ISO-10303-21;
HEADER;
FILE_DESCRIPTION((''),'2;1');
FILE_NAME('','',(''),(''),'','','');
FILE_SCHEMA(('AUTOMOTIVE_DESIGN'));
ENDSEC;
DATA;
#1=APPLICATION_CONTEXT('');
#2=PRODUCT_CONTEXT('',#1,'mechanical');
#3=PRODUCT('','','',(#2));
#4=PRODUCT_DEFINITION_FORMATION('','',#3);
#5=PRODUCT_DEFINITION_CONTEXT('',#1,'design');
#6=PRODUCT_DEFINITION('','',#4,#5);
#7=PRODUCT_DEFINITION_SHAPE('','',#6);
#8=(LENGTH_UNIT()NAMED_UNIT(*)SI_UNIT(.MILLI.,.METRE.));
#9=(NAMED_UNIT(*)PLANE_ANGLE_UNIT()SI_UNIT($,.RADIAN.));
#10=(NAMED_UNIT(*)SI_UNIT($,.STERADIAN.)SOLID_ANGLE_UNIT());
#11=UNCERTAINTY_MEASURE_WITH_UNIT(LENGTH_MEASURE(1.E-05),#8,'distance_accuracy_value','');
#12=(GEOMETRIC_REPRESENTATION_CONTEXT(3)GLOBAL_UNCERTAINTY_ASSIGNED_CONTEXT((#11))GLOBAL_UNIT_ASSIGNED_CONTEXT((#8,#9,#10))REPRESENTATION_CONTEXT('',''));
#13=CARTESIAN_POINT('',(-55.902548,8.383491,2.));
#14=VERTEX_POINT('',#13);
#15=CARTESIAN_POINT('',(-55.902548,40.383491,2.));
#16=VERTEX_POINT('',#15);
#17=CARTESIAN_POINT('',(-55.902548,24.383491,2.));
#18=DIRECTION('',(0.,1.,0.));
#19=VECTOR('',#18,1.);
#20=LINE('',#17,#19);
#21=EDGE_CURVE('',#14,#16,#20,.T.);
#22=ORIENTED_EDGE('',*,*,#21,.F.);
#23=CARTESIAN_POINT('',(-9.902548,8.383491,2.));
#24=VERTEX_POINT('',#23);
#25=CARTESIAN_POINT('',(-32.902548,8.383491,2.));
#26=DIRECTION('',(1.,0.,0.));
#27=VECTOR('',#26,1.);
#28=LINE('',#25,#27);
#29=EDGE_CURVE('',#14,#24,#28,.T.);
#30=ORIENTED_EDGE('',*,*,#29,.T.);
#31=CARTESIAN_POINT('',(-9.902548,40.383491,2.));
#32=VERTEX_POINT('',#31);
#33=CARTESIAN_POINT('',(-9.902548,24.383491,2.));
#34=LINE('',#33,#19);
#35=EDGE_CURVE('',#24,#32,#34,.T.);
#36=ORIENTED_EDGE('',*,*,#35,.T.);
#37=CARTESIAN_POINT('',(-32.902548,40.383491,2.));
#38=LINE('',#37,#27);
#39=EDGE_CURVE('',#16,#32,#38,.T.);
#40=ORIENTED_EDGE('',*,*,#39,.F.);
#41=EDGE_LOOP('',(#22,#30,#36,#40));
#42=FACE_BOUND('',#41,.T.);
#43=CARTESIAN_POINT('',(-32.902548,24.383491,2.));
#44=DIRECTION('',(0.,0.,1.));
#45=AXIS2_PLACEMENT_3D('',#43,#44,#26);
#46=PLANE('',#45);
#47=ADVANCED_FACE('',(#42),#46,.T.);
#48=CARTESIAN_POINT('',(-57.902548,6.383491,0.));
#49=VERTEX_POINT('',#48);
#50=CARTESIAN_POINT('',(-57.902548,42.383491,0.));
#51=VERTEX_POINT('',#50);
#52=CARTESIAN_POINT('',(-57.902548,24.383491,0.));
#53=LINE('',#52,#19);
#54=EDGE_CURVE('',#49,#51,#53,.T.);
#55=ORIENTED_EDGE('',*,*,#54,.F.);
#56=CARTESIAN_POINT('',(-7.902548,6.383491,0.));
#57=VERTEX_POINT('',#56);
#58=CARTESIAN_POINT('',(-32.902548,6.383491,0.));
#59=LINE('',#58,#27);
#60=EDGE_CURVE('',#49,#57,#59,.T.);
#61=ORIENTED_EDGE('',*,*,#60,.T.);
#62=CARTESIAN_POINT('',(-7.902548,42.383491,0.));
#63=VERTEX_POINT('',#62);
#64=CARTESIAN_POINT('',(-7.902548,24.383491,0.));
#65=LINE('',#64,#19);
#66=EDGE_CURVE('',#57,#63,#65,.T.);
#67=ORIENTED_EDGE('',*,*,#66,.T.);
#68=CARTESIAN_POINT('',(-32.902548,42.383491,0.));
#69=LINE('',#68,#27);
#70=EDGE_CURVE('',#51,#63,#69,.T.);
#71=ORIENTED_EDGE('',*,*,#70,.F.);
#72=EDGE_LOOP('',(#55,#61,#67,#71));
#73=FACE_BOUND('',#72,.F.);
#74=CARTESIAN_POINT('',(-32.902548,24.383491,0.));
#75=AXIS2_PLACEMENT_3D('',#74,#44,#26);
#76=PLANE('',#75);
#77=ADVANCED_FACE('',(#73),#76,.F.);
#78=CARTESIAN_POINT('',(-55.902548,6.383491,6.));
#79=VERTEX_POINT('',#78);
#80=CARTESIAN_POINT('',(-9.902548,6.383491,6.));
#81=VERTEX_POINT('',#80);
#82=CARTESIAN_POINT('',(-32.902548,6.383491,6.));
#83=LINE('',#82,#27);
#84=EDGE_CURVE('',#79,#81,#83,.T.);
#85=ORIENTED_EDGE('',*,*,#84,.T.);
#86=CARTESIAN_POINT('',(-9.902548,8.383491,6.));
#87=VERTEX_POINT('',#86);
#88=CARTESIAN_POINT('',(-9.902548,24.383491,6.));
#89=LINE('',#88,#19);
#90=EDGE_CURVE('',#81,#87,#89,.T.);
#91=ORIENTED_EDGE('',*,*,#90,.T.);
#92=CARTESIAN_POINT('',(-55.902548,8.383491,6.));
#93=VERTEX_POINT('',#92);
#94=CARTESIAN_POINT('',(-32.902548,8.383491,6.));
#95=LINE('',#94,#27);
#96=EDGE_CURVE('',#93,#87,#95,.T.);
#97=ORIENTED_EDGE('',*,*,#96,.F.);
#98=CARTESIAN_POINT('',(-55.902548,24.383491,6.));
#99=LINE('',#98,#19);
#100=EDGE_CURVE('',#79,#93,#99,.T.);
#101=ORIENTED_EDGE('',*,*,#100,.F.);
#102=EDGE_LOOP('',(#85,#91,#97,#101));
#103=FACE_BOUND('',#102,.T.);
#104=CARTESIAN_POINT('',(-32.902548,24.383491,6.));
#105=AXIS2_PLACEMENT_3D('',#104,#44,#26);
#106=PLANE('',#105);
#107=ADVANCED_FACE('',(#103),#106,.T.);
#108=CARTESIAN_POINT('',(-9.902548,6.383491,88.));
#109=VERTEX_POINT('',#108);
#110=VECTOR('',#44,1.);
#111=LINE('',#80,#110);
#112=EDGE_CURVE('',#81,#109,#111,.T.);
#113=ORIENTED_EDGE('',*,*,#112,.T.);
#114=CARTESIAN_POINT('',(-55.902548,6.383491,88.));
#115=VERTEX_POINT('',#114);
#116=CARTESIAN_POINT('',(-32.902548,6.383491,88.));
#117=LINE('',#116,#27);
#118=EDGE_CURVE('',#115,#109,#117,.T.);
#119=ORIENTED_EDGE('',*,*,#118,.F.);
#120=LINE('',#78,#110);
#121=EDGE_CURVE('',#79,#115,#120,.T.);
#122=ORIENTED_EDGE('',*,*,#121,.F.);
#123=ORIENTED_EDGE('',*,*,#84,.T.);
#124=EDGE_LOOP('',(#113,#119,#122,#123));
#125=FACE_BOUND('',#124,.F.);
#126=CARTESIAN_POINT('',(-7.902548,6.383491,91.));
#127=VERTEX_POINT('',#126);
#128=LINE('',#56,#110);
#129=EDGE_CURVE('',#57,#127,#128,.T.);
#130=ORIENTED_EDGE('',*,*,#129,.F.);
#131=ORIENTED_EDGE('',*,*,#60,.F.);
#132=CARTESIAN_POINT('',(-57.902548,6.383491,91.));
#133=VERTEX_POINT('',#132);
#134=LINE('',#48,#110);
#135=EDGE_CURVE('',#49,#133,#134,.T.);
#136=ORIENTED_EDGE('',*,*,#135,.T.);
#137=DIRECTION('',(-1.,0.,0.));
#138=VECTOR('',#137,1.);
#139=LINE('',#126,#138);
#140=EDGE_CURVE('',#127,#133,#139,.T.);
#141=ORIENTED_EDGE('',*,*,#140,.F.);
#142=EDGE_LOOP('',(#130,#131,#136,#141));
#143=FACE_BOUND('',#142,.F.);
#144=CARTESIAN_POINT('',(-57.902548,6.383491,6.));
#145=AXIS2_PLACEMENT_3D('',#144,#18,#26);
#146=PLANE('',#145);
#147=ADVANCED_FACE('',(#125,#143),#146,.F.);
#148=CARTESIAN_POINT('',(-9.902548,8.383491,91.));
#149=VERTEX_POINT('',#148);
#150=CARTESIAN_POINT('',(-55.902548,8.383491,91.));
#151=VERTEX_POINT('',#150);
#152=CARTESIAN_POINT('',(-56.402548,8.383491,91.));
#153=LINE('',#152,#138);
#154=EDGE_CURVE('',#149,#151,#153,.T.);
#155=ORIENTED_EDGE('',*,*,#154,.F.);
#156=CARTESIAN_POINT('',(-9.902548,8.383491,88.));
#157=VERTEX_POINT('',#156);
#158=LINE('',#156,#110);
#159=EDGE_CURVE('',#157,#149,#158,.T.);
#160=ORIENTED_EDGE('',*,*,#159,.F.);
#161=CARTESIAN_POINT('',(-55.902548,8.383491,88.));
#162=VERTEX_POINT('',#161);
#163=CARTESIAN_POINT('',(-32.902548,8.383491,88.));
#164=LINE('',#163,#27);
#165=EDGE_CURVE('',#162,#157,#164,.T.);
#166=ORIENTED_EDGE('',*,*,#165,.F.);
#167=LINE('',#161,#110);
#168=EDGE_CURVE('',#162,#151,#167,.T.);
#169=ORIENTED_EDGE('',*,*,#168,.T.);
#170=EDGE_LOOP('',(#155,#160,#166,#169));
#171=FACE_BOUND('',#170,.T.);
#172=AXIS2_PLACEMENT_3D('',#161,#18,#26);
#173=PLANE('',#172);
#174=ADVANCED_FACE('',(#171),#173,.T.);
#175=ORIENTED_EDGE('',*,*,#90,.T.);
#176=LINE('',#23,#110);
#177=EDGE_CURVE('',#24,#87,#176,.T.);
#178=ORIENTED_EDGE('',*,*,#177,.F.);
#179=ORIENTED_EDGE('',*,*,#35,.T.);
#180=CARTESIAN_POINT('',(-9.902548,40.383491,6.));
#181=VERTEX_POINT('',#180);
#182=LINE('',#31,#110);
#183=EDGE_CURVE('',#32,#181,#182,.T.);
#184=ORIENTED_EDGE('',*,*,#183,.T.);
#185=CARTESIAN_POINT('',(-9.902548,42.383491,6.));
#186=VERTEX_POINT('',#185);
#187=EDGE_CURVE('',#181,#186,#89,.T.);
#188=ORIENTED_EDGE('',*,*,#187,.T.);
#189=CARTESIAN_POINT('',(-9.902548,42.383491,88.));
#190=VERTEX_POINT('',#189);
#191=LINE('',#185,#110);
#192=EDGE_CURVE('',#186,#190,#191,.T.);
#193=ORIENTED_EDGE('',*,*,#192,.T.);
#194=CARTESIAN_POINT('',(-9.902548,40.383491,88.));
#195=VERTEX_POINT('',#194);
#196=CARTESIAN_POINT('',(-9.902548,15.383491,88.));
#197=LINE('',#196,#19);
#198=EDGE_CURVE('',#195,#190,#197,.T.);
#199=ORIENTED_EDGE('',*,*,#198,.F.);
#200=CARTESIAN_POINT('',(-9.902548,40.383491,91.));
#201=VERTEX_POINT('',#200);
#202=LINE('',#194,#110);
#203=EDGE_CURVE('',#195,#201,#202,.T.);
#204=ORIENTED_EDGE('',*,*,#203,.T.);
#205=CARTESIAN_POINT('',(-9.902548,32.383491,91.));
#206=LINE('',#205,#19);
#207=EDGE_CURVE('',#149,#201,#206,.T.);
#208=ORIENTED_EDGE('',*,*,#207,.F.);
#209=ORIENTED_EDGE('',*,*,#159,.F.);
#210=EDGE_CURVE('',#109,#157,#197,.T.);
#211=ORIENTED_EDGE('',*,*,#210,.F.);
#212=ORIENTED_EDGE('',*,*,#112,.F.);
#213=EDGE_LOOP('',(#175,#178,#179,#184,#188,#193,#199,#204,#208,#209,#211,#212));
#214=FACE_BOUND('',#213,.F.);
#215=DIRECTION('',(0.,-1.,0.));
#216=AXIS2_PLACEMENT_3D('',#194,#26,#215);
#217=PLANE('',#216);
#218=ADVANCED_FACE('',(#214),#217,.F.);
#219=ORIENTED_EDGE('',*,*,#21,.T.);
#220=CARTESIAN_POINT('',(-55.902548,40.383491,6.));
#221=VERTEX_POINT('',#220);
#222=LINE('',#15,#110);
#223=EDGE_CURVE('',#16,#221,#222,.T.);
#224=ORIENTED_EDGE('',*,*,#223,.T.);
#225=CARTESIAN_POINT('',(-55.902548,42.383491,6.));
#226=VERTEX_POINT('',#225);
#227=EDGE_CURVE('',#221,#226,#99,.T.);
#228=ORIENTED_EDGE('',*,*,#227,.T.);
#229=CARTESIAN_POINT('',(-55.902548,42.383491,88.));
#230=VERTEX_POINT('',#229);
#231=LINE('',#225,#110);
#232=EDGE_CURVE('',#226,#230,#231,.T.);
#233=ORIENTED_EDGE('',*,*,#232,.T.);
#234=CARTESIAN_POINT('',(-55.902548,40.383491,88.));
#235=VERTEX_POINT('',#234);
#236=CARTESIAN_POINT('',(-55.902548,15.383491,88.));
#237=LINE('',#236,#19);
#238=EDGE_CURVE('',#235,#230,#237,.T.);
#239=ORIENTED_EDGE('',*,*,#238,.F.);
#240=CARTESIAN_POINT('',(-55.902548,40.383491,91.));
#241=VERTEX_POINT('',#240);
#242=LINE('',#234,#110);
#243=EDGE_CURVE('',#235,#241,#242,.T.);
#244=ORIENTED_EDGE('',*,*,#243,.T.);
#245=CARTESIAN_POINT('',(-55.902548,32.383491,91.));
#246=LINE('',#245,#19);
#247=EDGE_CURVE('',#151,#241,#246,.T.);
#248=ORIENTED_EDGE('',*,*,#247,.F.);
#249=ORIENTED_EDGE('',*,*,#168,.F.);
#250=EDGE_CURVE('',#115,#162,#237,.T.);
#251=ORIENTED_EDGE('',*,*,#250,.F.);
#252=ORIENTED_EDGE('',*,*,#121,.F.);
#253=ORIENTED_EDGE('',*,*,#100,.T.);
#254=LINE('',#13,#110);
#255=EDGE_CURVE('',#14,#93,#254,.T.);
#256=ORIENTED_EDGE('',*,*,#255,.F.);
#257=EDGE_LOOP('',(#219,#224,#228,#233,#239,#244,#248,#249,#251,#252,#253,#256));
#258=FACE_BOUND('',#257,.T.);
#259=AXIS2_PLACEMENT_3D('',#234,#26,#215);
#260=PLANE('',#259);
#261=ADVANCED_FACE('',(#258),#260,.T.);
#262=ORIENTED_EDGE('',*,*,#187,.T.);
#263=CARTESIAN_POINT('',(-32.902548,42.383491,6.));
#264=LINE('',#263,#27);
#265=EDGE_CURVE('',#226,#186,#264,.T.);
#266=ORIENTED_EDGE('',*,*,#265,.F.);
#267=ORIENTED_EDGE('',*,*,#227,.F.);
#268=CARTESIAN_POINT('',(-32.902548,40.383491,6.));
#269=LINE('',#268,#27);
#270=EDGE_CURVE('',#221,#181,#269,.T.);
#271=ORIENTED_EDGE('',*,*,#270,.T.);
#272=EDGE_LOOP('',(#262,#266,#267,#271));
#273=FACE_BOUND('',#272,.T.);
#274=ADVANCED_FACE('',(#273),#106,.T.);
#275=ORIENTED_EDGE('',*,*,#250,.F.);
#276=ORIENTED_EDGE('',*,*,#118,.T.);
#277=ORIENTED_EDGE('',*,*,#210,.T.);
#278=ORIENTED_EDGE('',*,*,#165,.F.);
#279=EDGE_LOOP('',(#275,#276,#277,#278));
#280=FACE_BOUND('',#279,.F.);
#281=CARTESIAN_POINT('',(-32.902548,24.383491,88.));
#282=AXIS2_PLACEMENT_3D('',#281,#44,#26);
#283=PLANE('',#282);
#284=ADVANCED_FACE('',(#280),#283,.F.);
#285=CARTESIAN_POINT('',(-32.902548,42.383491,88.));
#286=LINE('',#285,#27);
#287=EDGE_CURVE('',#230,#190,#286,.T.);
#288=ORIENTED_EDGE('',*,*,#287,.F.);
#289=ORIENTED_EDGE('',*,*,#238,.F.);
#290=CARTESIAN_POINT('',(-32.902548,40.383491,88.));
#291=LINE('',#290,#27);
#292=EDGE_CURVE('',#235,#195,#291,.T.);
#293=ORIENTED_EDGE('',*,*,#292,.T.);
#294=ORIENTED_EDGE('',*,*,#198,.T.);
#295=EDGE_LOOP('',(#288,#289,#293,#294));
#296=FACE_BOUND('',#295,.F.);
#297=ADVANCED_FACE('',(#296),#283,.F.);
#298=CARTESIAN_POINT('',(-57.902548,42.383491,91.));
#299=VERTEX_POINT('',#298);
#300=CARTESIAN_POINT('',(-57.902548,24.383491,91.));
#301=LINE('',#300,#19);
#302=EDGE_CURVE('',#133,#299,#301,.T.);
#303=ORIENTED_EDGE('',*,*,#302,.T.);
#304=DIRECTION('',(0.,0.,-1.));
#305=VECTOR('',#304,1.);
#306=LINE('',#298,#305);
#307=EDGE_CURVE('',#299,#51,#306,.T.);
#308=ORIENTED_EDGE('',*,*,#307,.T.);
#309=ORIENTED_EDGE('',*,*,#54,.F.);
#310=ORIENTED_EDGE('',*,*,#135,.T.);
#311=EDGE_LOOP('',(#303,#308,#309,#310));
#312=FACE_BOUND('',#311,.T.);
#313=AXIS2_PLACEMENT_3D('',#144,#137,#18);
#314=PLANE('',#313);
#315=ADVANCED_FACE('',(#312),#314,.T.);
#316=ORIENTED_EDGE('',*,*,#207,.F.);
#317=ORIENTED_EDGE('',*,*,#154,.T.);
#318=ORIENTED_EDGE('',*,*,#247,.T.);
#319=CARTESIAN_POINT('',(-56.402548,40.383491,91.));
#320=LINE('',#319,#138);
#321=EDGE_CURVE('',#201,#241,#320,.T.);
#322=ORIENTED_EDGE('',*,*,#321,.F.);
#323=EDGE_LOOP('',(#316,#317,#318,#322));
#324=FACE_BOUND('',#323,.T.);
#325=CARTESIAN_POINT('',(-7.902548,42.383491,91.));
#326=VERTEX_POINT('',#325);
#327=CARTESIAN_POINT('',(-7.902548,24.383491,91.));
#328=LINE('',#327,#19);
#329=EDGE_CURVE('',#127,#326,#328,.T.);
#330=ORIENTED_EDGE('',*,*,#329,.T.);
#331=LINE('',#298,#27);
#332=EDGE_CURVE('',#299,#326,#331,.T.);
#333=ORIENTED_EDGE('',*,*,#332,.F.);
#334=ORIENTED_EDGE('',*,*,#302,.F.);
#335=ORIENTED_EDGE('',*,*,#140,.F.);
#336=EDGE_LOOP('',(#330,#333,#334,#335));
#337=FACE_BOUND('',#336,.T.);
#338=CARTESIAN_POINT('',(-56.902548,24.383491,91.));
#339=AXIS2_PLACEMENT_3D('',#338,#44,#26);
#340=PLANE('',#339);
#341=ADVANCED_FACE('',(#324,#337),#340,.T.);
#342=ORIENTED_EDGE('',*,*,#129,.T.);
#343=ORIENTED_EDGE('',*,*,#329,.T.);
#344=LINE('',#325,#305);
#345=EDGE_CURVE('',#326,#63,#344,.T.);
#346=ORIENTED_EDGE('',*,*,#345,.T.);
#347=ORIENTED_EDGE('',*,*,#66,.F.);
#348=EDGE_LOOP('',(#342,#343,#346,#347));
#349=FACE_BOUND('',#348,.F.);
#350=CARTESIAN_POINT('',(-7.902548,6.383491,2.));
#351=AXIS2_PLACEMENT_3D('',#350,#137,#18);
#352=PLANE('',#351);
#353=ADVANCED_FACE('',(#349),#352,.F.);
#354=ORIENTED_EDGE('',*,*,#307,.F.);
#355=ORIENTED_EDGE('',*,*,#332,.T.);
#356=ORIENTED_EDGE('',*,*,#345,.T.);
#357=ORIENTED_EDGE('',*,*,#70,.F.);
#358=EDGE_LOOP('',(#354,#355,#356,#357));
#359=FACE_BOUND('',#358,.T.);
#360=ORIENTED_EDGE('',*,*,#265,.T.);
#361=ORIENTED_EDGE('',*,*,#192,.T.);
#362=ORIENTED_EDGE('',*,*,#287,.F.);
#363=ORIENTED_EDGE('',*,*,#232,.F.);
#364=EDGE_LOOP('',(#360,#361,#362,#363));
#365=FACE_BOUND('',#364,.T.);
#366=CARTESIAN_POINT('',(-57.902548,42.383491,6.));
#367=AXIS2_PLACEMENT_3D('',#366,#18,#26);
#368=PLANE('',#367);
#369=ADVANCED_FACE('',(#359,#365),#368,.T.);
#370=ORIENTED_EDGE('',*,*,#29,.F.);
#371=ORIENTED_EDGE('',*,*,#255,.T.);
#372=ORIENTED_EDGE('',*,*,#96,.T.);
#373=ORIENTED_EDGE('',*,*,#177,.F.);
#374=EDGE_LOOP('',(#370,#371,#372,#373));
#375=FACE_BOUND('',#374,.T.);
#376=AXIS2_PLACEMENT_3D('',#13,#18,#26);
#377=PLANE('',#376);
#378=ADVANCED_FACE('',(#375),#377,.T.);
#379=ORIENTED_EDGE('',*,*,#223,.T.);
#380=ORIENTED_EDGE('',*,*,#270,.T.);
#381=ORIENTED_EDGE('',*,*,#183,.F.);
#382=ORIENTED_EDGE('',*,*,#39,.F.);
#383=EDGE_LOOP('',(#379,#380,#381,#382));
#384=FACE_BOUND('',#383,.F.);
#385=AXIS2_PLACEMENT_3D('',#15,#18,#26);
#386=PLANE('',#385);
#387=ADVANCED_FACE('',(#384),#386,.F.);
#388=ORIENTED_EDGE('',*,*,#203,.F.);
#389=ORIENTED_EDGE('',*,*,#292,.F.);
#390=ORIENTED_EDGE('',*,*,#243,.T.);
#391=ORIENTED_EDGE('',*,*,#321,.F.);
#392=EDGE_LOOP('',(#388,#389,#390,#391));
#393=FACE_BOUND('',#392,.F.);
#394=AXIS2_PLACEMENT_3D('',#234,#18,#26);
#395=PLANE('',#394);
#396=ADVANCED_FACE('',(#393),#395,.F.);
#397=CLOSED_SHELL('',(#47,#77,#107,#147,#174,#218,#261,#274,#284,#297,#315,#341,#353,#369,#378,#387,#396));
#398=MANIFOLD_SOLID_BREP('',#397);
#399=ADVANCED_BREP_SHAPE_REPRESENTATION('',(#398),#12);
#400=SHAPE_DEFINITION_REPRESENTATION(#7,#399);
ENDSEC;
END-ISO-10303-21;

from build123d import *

# Parameters (mm, degrees)
F0_W     = 50
F0_H     = 36
F1_DEPTH = 2
F2_W     = 50
F2_H     = 36
F2_W_2   = 46
F2_H_2   = 32
F3_DEPTH = 4
F4_W     = 2
F4_H     = 36
F5_DEPTH = 85
F6_W     = 50
F6_H     = 36
F7_DEPTH = 3
F8_W     = 46
F8_H     = 32
F9_DEPTH = 25


with BuildPart() as f1:
    # F0 (on Top) → F1 (new body)
    with BuildSketch(Plane.XY):
        with Locations((-32.9025480896, 24.3834912755)):
            Rectangle(F0_W, F0_H)
    extrude(amount=F1_DEPTH)

    # F2 (on face) → F3 (join)
    with BuildSketch(Plane.XY.offset(2)):
        with Locations((-32.9025480896, 24.3834912755)):
            Rectangle(F2_W, F2_H)
        with Locations((-32.9025480896, 24.3834912755)):
            Rectangle(F2_W_2, F2_H_2, mode=Mode.SUBTRACT)
    extrude(amount=F3_DEPTH)

    # F4 (on face) → F5 (join)
    with BuildSketch(Plane.XY.offset(6)):
        with Locations((-56.9025480896, 24.3834912755)):
            Rectangle(F4_W, F4_H)
        with Locations((-8.9025480896, 24.3834912755)):
            Rectangle(F4_W, F4_H)
    extrude(amount=F5_DEPTH)

    # F6 (on face) → F7 (join)
    with BuildSketch(Plane.XY.offset(91)):
        with Locations((-32.9025480896, 24.3834912755)):
            Rectangle(F6_W, F6_H)
    extrude(amount=-F7_DEPTH)

    # F8 (on face) → F9 (cut)
    with BuildSketch(Plane(origin=(0, 0, 88), x_dir=(1, 0, 0), z_dir=(0, 0, -1))):
        with Locations((-32.9025480896, -24.3834912755)):
            Rectangle(F8_W, F8_H)
    extrude(amount=-F9_DEPTH, mode=Mode.SUBTRACT)


solid = f1.part
